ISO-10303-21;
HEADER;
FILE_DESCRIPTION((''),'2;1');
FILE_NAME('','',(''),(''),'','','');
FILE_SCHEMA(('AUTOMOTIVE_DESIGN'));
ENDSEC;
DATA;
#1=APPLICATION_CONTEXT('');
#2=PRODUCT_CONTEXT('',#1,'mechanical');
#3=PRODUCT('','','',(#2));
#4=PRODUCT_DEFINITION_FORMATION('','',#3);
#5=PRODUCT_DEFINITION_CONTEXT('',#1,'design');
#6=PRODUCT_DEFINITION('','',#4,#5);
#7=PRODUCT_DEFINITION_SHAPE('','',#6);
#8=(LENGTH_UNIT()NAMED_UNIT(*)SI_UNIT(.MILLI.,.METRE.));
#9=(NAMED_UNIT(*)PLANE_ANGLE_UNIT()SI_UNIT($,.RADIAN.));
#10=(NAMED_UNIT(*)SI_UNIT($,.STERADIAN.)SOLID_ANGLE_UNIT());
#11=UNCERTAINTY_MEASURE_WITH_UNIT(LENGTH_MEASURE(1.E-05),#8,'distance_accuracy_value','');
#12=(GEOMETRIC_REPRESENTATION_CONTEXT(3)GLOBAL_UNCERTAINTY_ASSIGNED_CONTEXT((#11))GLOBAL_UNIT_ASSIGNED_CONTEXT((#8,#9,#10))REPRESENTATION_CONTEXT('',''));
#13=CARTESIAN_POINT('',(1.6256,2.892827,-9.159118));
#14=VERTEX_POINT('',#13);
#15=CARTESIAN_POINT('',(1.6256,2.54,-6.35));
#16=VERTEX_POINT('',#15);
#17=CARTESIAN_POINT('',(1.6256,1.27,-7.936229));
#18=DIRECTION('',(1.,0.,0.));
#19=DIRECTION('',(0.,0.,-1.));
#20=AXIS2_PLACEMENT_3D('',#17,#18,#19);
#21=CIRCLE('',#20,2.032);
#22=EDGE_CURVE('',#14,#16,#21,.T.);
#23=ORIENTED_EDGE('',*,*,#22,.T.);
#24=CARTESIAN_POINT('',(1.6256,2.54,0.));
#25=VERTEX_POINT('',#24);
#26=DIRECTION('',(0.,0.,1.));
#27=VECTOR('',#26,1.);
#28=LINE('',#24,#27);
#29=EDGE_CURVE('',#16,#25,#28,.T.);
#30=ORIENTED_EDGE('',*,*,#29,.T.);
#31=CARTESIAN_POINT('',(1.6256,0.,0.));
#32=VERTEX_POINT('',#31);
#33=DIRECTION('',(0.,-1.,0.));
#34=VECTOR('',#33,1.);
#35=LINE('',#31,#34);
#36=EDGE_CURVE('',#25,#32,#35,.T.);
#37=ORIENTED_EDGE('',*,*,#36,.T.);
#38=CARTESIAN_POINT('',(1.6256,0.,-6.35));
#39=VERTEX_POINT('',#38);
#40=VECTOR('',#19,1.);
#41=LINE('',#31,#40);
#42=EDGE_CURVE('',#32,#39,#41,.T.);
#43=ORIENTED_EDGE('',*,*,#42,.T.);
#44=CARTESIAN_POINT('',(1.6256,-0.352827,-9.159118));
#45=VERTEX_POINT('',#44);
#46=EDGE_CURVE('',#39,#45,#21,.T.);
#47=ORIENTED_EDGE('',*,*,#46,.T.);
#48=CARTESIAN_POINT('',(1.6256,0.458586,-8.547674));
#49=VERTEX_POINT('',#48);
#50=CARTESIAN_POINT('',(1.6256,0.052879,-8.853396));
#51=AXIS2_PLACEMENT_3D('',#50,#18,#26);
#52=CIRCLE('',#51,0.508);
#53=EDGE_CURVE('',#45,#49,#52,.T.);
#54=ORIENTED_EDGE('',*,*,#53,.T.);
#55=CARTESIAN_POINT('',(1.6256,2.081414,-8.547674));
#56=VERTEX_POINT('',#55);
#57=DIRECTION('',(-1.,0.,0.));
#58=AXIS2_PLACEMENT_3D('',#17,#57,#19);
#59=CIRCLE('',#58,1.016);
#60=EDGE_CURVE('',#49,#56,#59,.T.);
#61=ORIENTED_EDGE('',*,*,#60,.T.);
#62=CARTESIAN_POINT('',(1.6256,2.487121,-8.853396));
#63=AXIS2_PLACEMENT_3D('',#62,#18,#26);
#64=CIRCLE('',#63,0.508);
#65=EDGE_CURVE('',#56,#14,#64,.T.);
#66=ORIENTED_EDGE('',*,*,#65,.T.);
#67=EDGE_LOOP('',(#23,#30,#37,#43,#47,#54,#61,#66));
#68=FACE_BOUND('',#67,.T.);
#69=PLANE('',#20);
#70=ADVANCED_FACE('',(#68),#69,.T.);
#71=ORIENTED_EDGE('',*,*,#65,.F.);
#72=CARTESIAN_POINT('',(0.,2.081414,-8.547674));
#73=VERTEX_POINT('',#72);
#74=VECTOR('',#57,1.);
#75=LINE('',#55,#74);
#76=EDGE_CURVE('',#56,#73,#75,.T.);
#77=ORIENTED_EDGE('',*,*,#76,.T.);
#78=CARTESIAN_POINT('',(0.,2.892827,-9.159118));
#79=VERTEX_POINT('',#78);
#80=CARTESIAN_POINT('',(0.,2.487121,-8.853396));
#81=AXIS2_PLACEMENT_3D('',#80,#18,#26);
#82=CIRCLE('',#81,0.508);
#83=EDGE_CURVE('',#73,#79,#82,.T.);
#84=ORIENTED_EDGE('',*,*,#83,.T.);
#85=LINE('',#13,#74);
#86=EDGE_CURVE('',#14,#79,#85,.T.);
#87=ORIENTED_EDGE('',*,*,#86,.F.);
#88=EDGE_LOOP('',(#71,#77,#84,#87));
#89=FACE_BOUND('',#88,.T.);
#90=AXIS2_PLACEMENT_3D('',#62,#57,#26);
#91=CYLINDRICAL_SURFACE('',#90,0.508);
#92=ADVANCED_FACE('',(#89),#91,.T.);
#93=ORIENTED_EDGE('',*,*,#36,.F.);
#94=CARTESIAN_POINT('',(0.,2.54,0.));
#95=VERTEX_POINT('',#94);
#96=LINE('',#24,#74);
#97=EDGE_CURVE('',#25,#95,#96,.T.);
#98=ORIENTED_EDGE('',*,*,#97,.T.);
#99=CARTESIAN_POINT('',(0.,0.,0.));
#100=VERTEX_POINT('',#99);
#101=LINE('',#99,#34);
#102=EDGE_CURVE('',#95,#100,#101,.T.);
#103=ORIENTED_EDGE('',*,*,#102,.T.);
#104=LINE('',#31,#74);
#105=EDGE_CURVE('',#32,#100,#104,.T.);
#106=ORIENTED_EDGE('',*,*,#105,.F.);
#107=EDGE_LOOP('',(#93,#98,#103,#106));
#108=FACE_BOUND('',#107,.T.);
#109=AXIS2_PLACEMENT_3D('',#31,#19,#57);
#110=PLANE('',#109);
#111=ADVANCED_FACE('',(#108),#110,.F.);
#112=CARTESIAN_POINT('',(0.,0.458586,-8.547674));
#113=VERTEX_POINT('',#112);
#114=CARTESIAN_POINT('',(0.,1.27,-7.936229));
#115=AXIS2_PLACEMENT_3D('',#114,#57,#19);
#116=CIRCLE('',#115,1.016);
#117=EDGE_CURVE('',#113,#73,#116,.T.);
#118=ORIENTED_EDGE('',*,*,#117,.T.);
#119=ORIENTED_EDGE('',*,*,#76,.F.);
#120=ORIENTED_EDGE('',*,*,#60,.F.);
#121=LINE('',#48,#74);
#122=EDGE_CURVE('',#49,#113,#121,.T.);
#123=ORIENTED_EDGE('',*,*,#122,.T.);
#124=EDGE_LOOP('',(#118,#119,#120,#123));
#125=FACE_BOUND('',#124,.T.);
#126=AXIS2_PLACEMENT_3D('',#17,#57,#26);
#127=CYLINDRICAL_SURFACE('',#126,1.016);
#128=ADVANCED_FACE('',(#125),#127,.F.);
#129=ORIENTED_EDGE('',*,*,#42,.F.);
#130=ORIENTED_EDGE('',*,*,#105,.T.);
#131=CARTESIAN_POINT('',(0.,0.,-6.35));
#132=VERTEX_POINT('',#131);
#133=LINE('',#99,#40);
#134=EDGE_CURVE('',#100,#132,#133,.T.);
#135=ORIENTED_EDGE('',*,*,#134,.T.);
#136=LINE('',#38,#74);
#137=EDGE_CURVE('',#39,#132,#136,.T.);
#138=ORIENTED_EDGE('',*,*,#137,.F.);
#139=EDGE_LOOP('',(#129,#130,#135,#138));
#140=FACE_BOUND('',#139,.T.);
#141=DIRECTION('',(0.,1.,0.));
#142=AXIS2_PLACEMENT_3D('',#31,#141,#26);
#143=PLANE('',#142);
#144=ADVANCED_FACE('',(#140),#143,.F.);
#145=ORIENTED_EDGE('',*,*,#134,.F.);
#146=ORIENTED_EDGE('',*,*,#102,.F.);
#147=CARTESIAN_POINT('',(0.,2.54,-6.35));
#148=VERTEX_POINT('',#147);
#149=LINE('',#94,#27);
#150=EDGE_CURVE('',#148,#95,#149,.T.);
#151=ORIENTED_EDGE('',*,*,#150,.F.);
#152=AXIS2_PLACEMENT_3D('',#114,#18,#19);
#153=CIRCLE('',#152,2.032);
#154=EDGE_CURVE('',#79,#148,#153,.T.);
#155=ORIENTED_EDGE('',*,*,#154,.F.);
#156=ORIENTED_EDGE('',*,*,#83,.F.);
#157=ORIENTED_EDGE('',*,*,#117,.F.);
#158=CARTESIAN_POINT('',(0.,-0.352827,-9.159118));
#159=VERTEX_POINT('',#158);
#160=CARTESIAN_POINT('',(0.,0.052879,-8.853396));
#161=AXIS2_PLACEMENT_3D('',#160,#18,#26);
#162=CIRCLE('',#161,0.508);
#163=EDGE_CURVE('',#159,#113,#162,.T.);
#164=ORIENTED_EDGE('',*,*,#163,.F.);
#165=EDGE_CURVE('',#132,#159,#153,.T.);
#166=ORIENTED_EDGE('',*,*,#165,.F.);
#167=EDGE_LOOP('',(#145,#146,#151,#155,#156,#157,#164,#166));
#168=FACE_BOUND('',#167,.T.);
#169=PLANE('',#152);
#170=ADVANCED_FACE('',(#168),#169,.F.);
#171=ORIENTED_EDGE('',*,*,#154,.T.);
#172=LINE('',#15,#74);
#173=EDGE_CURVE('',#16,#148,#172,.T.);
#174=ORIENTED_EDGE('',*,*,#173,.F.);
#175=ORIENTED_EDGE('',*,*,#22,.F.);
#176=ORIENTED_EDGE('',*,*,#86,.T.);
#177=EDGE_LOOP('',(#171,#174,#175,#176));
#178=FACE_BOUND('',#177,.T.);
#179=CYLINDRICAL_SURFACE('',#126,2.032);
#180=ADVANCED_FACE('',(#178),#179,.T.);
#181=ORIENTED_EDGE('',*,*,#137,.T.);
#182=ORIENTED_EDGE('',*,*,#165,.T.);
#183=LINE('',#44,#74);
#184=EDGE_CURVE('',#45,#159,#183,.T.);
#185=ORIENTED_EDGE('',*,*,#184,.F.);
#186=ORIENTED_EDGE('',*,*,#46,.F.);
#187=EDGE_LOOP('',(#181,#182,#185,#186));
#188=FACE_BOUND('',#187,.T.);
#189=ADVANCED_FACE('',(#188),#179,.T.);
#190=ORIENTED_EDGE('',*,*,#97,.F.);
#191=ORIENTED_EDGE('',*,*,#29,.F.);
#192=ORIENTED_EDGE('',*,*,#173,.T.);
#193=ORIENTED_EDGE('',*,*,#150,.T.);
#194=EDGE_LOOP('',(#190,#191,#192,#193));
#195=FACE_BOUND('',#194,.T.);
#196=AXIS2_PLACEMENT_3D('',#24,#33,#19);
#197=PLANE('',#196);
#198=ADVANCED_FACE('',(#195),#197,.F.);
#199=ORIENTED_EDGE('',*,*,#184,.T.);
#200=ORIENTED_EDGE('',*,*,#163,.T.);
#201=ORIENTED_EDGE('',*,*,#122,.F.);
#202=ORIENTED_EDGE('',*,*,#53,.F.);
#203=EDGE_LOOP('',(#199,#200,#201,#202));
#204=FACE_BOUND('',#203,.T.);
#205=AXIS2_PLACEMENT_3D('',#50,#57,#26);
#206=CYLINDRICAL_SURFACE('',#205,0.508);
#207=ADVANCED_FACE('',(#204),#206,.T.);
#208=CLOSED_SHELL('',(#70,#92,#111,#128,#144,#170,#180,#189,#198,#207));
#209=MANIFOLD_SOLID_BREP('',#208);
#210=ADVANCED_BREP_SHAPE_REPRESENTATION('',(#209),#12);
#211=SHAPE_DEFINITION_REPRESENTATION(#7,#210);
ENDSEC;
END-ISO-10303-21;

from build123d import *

# Parameters (mm, degrees)
BOSS_EXTRUDE1_DEPTH = 1.6256


with BuildPart() as part:
    # Sketch1 → Boss-Extrude1 (new body)
    with BuildSketch(Plane(origin=(0, 0, 0), x_dir=(0, 0, -1), z_dir=(1, 0, 0))):
        with BuildLine():
            Line((0, 0), (6.35, 0))
            ThreePointArc((6.35, 0), (7.682998327, -0.746159214), (9.159117619, -0.352827356))
            ThreePointArc((9.159117619, -0.352827356), (9.259102426, 0.358601514), (8.547673555, 0.458586322))
            ThreePointArc((8.547673555, 0.458586322), (6.920229492, 1.27), (8.547673555, 2.081413678))
            ThreePointArc((8.547673555, 2.081413678), (9.259102426, 2.181398486), (9.159117619, 2.892827356))
            ThreePointArc((9.159117619, 2.892827356), (7.682998327, 3.286159214), (6.35, 2.54))
            Line((6.35, 2.54), (0, 2.54))
            Line((0, 2.54), (0, 0))
        make_face()
    extrude(amount=BOSS_EXTRUDE1_DEPTH)


solid = part.part
